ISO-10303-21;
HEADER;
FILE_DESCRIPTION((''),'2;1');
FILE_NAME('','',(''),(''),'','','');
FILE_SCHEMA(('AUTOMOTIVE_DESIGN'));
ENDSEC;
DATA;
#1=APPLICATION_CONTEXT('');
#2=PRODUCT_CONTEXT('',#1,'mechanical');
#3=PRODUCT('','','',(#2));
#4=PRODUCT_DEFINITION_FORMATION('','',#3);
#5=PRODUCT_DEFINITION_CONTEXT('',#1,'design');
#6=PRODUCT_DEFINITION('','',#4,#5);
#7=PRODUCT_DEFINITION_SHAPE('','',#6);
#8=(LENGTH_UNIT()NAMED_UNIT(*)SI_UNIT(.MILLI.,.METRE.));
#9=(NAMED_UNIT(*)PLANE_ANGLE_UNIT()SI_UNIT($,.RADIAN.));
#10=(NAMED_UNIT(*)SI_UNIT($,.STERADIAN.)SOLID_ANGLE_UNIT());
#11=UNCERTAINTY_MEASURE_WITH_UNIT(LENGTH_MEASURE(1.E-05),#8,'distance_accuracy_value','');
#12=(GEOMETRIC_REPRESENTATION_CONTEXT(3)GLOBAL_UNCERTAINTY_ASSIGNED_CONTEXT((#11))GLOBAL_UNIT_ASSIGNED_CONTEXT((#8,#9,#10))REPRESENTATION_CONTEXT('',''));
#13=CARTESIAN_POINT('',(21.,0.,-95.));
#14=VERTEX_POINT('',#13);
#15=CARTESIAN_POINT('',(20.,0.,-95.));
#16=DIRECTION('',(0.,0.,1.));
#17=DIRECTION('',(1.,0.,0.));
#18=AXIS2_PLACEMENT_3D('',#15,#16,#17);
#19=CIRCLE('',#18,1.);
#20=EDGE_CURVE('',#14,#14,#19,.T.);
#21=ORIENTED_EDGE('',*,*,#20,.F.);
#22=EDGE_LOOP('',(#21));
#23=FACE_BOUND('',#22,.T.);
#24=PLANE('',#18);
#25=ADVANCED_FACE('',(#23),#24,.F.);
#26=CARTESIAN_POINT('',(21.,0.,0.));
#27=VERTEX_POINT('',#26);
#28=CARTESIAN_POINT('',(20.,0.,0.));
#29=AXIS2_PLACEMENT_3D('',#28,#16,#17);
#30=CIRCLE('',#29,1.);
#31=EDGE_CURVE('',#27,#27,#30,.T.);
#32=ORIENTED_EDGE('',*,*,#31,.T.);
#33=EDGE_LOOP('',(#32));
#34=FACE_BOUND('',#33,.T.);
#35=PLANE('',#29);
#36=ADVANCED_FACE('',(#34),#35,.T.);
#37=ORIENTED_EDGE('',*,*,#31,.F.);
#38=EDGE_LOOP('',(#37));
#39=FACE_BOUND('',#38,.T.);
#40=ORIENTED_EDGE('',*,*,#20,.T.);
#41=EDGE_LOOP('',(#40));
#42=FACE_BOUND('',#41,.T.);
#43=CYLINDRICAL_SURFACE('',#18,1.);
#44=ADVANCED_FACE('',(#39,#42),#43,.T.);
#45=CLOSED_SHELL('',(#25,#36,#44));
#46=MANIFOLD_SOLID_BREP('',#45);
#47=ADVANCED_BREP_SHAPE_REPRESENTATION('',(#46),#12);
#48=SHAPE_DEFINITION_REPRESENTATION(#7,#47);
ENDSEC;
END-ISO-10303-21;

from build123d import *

# Parameters (mm, degrees)
SKETCH1_R           = 1
BOSS_EXTRUDE1_DEPTH = 95


with BuildPart() as part:
    # Sketch1 → Boss-Extrude1 (new body)
    with BuildSketch(Plane.XY):
        with Locations((20, 0)):
            Circle(SKETCH1_R)
    extrude(amount=-BOSS_EXTRUDE1_DEPTH)


solid = part.part
